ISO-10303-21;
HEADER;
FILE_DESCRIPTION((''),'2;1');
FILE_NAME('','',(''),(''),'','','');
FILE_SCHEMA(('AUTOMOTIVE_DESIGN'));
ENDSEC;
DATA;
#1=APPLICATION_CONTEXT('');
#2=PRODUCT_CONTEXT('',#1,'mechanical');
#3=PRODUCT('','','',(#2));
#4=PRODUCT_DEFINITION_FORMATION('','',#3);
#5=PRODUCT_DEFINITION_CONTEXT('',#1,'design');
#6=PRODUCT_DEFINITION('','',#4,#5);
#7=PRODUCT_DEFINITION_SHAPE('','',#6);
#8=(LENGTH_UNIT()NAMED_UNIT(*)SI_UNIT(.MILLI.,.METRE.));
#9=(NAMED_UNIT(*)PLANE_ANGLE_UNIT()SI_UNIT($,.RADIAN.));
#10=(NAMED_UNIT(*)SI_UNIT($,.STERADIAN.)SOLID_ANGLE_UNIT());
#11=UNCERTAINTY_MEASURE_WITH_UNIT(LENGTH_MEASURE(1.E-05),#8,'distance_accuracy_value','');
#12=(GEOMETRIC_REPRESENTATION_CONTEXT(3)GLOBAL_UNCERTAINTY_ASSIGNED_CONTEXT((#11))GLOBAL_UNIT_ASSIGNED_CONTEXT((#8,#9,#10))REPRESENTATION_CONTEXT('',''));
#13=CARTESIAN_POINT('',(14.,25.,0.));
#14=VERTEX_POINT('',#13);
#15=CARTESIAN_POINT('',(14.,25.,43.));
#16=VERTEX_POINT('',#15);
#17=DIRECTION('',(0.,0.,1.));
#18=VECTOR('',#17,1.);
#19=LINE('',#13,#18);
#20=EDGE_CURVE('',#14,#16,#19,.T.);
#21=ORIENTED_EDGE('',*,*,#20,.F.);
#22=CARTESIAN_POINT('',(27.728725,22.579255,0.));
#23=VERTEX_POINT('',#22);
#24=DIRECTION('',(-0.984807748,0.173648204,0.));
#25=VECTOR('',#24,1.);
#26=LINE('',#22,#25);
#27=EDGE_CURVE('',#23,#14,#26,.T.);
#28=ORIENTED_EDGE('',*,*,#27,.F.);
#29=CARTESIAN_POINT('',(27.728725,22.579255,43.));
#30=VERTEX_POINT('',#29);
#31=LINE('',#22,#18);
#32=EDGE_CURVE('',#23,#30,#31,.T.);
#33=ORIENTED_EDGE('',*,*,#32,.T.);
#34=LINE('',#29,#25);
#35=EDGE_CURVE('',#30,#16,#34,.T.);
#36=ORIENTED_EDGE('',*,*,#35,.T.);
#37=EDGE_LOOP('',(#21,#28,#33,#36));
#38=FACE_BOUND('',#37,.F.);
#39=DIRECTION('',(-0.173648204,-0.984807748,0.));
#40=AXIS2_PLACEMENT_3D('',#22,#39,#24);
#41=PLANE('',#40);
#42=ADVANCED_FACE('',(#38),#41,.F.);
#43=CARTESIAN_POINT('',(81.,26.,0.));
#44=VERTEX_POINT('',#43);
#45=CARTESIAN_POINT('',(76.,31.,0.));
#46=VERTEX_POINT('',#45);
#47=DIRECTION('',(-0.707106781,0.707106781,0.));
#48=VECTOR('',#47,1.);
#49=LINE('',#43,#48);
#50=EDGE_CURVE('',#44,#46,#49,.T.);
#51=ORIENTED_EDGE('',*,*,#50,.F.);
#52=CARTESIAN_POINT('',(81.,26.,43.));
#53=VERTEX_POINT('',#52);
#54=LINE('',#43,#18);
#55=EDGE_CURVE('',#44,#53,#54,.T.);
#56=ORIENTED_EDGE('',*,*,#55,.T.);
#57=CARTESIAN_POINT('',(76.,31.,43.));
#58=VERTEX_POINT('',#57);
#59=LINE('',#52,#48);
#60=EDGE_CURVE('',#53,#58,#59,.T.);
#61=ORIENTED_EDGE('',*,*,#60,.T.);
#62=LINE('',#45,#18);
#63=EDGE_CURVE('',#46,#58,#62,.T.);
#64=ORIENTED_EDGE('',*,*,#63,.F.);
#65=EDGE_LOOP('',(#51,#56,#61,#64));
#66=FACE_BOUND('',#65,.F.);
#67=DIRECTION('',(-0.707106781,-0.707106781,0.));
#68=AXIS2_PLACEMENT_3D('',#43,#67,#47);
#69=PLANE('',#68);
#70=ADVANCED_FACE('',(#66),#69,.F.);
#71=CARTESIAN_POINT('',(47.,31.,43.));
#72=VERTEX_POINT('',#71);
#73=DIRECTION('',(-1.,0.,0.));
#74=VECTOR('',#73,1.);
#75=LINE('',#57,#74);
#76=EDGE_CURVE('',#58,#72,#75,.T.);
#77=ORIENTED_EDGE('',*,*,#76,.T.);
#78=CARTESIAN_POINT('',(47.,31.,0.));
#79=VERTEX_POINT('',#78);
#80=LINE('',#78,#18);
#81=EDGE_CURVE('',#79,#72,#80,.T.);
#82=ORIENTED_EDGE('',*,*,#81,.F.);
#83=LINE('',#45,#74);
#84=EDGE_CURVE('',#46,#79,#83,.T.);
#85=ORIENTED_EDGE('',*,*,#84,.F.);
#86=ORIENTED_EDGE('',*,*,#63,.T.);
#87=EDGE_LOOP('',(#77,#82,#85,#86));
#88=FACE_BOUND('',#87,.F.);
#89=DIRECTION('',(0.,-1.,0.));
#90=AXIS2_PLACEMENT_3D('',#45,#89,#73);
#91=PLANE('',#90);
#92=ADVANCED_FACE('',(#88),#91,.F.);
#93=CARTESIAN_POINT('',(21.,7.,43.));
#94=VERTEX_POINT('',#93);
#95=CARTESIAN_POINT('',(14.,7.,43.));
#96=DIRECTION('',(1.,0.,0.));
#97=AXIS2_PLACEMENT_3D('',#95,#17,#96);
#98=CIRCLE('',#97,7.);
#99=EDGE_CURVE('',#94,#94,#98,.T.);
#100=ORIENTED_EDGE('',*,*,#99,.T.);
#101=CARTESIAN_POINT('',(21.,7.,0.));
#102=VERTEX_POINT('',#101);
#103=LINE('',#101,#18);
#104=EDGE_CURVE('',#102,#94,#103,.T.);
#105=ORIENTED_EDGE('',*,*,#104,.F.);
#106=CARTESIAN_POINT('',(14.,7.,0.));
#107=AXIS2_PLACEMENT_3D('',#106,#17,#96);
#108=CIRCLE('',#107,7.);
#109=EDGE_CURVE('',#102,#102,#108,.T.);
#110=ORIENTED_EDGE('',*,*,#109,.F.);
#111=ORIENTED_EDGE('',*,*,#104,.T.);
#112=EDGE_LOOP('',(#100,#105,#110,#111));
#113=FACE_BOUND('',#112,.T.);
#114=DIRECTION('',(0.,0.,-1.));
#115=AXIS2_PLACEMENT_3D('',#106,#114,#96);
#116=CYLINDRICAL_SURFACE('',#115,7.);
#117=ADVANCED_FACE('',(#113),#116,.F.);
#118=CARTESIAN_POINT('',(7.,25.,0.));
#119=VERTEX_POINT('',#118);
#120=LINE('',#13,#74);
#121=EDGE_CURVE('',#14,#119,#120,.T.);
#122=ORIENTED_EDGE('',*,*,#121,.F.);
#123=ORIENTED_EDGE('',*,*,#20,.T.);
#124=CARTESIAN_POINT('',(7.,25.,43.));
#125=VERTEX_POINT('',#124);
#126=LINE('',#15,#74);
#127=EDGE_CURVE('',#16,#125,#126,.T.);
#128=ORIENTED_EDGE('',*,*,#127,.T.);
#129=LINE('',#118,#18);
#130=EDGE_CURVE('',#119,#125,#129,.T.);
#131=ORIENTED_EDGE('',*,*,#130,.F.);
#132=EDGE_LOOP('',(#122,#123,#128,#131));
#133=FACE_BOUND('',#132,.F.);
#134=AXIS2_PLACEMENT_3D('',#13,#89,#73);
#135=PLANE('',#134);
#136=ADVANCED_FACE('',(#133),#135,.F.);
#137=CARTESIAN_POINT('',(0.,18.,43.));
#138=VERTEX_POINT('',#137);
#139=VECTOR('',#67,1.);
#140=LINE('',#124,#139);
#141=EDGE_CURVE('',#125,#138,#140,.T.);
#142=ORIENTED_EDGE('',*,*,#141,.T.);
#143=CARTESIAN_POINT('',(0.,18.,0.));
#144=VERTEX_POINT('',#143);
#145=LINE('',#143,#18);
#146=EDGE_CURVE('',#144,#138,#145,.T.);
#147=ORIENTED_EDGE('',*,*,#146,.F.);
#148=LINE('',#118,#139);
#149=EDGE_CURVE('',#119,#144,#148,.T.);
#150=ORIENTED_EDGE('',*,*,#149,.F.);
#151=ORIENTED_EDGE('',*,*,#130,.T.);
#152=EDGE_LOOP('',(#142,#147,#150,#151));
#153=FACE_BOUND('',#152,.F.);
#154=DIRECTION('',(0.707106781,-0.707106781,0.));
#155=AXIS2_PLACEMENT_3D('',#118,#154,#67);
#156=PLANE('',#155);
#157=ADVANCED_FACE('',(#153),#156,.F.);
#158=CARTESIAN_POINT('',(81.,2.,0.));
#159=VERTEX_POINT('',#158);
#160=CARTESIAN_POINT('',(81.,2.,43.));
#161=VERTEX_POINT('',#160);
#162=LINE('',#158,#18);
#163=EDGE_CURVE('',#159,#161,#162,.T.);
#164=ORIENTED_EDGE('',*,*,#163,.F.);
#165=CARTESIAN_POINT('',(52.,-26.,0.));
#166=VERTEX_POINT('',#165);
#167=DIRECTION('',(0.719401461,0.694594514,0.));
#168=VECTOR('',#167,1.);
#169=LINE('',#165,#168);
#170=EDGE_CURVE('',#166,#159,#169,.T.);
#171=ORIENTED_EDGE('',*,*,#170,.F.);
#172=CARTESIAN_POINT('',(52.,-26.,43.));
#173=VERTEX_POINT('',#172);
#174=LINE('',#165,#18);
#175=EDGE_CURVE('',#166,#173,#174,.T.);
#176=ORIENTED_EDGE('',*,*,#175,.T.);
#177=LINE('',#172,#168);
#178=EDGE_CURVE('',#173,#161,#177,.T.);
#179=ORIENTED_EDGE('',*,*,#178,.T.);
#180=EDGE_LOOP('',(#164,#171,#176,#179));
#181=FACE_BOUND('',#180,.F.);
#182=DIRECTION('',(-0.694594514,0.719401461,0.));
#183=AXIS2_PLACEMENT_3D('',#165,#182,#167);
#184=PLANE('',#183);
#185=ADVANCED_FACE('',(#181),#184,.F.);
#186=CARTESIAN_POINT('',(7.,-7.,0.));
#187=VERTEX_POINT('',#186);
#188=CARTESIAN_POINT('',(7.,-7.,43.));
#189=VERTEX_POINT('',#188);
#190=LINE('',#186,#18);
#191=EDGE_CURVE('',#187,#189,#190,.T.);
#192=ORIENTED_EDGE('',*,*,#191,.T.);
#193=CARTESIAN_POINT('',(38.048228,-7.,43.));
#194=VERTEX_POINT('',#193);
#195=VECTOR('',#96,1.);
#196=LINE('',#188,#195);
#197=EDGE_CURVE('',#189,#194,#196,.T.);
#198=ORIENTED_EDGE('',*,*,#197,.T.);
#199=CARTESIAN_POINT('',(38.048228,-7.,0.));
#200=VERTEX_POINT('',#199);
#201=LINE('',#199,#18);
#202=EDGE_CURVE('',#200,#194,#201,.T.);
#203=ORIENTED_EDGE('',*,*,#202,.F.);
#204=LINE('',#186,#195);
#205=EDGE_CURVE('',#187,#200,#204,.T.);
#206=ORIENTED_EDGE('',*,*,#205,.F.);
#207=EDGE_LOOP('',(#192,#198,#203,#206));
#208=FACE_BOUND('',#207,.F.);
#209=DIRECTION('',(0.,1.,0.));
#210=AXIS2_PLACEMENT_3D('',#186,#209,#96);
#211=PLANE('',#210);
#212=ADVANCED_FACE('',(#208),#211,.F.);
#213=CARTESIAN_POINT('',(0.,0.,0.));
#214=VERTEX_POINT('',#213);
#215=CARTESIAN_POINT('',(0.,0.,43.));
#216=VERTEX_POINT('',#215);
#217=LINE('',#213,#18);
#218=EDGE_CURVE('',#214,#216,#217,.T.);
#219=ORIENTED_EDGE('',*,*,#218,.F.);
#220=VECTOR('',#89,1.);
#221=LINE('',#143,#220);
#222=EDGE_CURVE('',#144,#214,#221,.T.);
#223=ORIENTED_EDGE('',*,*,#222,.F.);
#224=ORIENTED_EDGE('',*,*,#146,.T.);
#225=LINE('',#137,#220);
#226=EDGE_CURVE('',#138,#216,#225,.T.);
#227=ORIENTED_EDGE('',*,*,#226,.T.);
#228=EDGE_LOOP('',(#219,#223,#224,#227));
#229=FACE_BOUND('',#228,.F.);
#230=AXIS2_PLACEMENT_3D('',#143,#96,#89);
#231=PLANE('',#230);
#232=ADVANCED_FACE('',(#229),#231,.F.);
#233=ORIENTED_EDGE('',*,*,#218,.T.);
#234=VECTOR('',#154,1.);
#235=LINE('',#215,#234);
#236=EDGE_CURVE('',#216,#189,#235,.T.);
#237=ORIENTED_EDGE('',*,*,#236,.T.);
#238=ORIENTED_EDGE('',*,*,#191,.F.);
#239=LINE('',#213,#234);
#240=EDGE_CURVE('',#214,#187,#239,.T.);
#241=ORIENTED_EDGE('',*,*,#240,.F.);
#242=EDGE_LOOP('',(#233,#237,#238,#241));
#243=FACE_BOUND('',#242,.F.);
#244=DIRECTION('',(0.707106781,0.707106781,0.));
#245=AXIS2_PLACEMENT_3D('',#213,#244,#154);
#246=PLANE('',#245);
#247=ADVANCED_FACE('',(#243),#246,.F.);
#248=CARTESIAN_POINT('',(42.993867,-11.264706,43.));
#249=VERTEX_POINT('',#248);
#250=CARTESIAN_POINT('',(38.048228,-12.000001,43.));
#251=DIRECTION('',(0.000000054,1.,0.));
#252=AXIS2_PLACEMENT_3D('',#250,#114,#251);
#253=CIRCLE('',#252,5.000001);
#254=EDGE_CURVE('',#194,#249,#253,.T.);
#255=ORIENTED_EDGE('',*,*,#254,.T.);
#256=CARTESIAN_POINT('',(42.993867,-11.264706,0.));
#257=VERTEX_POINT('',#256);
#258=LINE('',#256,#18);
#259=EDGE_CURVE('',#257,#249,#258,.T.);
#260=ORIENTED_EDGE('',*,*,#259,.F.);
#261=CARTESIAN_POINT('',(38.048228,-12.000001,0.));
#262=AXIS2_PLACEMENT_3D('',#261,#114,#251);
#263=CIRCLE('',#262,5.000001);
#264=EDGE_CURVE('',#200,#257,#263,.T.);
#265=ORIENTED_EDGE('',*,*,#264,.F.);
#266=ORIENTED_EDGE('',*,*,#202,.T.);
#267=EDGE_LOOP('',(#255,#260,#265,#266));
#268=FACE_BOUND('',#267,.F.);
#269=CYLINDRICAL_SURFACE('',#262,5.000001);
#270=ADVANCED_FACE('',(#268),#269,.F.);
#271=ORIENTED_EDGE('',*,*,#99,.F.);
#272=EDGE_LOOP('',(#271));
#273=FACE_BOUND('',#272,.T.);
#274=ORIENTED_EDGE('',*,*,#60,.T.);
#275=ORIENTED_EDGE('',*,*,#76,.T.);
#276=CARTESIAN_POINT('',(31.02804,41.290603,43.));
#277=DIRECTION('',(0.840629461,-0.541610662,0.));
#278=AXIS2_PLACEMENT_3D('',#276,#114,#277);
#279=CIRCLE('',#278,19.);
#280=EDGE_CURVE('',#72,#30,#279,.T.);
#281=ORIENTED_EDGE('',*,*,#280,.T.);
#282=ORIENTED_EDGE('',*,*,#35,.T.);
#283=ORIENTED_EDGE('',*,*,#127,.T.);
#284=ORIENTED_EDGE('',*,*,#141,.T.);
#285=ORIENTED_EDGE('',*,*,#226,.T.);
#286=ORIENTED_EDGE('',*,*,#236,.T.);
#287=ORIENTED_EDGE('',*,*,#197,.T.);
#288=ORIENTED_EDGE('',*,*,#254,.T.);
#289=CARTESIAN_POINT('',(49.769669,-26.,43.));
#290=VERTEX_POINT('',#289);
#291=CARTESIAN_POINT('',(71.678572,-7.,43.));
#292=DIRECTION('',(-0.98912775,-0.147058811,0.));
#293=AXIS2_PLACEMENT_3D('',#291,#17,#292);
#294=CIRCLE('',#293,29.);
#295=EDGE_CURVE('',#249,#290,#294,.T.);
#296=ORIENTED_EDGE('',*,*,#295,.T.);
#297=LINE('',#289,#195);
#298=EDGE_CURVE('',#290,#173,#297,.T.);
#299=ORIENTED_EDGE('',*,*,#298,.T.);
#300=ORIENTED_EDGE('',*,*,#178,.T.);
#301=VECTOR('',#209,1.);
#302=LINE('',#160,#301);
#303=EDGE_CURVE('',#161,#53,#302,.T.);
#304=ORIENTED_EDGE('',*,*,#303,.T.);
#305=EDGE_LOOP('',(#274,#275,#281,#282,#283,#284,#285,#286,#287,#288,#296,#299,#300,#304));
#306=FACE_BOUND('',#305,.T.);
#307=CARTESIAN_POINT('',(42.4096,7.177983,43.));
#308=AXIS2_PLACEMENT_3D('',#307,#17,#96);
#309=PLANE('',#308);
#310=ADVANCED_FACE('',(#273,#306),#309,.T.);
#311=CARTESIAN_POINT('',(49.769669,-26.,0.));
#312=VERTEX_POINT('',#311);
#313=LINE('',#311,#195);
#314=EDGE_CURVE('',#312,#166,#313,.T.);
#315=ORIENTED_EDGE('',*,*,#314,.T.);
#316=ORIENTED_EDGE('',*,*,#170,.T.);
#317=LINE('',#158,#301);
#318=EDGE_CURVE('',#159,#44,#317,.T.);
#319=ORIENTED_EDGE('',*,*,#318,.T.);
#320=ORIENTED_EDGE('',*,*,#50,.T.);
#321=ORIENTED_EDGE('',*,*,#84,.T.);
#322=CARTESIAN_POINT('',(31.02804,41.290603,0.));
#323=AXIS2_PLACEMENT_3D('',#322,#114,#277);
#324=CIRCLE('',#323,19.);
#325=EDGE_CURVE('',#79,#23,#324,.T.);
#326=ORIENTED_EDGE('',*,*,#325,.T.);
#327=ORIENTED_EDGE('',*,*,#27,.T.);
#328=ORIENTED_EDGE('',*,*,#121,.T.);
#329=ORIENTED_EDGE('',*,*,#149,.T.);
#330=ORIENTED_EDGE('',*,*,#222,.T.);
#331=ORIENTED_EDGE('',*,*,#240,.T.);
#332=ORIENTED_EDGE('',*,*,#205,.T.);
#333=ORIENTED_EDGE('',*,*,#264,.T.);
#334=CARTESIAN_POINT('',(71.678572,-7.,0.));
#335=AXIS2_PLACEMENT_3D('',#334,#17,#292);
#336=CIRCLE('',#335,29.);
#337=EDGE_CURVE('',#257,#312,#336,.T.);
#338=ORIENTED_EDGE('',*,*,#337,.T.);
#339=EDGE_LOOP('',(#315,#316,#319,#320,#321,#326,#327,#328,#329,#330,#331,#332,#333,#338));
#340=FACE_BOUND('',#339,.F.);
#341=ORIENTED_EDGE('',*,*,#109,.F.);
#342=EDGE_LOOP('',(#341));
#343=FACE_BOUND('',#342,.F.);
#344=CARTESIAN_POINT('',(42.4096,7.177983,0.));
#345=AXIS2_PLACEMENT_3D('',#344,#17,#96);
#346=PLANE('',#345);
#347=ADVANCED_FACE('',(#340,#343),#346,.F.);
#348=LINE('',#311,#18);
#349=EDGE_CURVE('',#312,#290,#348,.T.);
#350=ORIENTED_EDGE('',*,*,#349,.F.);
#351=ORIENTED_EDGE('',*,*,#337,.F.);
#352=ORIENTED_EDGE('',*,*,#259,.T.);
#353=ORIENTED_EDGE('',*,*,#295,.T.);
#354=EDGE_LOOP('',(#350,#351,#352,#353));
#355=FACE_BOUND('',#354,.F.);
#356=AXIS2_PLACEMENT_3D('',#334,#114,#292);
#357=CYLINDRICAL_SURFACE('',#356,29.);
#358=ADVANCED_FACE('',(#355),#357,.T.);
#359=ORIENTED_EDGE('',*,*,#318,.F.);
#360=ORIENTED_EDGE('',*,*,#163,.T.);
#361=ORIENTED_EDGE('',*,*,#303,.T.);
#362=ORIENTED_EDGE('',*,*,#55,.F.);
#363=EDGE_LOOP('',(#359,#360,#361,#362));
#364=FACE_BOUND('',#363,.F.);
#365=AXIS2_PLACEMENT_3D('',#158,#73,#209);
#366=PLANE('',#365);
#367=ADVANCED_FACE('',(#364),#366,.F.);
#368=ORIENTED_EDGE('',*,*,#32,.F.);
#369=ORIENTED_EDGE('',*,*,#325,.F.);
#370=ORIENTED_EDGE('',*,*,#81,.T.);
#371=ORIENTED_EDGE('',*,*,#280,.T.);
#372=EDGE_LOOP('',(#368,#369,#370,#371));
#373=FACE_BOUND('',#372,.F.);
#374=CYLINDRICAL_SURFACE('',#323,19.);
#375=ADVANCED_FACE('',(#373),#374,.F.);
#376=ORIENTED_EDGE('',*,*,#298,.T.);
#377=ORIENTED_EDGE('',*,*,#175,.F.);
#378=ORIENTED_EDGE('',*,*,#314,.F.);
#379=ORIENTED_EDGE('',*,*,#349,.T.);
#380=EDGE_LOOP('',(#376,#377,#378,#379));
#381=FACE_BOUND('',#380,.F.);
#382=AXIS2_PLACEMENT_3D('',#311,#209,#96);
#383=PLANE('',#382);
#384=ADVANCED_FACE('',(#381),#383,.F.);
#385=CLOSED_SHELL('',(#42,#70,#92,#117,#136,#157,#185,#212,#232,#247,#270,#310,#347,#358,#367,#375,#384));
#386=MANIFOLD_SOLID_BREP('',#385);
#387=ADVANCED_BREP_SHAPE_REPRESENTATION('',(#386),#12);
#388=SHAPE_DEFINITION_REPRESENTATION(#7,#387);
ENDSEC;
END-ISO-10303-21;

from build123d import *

# Parameters (mm, degrees)
F0_R     = 7
F1_DEPTH = 43


with BuildPart() as f1:
    # F0 (on Top) → F1 (new body)
    with BuildSketch(Plane.XY):
        with BuildLine():
            Line((0, 18), (0, 0))
            Line((0, 0), (7, -7))
            Line((7, -7), (38.048228, -7))
            ThreePointArc((38.048228, -7), (41.313464, -8.213414), (42.993867, -11.264706))
            ThreePointArc((42.993867, -11.264706), (45.330697, -19.115672), (49.769669, -26))
            Line((49.769669, -26), (52, -26))
            Line((52, -26), (81, 2))
            Line((81, 2), (81, 26))
            Line((81, 26), (76, 31))
            Line((76, 31), (47, 31))
            ThreePointArc((47, 31), (38.635682, 23.880152), (27.728725, 22.579255))
            Line((27.728725, 22.579255), (14, 25))
            Line((14, 25), (7, 25))
            Line((7, 25), (0, 18))
        make_face()
        with Locations((14, 7)):
            Circle(F0_R, mode=Mode.SUBTRACT)
    extrude(amount=F1_DEPTH)


solid = f1.part
